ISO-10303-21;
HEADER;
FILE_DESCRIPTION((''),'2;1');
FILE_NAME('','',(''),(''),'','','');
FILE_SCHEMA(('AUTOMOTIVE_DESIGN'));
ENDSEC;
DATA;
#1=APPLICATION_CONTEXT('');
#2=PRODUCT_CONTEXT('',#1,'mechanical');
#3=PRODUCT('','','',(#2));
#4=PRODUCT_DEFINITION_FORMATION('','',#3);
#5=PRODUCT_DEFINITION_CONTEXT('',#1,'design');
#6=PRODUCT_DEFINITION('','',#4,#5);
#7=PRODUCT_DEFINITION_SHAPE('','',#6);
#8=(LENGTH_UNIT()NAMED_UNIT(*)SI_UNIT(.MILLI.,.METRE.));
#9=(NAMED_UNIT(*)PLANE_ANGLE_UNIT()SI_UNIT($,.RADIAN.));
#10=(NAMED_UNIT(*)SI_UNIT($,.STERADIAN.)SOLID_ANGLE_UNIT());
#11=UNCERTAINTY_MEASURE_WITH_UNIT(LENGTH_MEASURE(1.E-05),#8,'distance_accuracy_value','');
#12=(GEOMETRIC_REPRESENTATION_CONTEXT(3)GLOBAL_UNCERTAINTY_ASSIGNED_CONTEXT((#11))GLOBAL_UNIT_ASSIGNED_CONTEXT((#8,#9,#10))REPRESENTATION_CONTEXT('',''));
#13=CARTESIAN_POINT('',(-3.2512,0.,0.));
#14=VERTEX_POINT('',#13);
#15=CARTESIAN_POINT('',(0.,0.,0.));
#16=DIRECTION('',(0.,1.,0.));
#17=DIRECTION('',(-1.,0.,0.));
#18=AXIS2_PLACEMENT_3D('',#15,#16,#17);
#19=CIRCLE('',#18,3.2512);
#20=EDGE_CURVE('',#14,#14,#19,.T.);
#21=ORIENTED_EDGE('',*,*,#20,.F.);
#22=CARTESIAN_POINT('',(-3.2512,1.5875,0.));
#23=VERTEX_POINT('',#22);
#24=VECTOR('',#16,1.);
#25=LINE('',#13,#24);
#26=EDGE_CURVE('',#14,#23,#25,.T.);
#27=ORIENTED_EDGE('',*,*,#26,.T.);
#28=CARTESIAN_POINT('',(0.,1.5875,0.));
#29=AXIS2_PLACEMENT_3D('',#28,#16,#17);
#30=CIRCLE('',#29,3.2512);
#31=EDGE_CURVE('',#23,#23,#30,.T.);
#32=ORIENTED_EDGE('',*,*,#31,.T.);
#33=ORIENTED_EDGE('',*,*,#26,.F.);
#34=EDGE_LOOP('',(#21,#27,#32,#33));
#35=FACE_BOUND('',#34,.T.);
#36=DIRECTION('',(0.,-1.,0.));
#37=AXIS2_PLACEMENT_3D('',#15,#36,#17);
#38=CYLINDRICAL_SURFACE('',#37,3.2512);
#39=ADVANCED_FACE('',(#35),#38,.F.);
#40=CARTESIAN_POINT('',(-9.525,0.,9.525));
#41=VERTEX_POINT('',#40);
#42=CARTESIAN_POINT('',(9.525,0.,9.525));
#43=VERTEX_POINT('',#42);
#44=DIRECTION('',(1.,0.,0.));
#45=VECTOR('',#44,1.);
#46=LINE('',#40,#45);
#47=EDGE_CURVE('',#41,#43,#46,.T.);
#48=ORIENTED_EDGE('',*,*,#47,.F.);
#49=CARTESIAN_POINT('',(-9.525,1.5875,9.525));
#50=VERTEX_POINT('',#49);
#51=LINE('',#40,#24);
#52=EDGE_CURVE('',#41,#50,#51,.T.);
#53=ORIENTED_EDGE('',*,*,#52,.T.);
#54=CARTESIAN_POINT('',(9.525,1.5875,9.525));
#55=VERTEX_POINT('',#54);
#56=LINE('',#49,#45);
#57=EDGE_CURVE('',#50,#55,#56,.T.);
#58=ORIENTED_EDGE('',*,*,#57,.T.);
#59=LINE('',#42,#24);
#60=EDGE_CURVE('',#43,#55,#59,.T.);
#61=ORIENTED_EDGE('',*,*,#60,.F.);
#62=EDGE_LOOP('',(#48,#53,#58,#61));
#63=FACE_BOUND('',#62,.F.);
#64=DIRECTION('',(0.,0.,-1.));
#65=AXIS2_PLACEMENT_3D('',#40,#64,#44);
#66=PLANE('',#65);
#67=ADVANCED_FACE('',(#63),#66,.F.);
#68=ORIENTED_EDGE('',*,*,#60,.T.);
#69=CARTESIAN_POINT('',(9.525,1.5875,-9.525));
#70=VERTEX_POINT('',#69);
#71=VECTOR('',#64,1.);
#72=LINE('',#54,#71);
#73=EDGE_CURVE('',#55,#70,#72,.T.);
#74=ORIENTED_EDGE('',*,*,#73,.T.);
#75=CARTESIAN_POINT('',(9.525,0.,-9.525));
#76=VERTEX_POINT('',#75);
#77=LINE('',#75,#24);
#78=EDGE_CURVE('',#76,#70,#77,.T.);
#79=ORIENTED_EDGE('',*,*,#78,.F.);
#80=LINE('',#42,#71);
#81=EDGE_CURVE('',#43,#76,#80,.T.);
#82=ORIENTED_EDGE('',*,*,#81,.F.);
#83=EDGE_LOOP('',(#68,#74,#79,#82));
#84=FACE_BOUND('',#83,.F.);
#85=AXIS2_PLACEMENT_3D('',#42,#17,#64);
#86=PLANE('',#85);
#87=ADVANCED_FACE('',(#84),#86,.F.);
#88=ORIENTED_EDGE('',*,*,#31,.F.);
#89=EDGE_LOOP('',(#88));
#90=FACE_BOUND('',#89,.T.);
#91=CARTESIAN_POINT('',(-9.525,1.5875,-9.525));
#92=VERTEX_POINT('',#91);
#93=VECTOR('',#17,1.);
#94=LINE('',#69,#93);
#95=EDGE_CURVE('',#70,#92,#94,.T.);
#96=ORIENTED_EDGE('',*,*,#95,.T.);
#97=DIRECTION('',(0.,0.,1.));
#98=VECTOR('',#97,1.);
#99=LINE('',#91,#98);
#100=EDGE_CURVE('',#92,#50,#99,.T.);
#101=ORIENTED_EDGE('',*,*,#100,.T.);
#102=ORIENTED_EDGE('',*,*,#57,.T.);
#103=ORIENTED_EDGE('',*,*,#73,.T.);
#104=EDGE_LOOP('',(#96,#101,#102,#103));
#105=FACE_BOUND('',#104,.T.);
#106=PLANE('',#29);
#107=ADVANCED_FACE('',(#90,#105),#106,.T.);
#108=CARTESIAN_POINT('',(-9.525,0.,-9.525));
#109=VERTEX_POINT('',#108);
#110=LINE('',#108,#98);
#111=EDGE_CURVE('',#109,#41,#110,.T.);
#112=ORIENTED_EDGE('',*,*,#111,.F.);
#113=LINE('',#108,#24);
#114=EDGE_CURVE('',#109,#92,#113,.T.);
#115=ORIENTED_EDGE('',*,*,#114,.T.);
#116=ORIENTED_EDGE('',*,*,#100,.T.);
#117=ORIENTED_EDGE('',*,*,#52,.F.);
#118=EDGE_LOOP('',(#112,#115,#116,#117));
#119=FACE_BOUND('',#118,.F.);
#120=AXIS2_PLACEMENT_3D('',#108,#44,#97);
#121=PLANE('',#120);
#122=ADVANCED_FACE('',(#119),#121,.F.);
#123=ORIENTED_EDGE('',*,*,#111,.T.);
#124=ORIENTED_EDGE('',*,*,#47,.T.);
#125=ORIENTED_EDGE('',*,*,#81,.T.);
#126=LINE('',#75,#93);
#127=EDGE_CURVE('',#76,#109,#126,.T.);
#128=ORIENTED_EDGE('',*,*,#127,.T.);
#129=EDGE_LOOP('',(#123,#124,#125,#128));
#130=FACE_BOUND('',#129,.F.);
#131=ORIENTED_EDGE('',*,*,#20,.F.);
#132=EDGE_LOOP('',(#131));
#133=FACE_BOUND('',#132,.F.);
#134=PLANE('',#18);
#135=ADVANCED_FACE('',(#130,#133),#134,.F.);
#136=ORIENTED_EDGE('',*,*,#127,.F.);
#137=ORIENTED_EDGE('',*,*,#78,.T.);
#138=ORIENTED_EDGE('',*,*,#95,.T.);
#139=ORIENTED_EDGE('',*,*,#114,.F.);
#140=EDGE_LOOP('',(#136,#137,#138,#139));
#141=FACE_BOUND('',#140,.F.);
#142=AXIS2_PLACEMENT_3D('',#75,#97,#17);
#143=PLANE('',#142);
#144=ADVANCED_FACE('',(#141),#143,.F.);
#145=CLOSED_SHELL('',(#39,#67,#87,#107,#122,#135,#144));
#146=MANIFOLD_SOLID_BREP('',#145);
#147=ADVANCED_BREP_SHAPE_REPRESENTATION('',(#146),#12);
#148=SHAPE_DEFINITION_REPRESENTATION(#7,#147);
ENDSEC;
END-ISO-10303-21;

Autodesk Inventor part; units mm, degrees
ref_plane "YZ Plane" through (0, 0, 0) normal (1, 0, 0) x (0, 1, 0)
ref_plane "XZ Plane" through (0, 0, 0) normal (0, 1, 0) x (-1, 0, 0)
ref_plane "XY Plane" through (0, 0, 0) normal (0, 0, 1) x (1, 0, 0)
sketch "Sketch1" plane through (0, 0, 0) normal (0, 1, 0) x (-1, 0, 0)
  line L0 (-9.525, -9.525) -> (9.525, -9.525)
  line L1 (9.525, -9.525) -> (9.525, 9.525)
  line L2 (9.525, 9.525) -> (-9.525, 9.525)
  line L3 (-9.525, 9.525) -> (-9.525, -9.525)
  line L4 (-9.525, -9.525) -> (9.525, 9.525) construction
  line L5 (9.525, -9.525) -> (-9.525, 9.525) construction
  circle A0 centre (0, 0) radius 3.2512
  dimension "d0" = 19.05
  dimension "d1" = 19.05
  dimension "d2" = 6.5024
extrude "Extrusion1" add sketch "Sketch1" along normal blind 1.5875
properties part number "STRU_019_RubberWasher" material "Rubber"
